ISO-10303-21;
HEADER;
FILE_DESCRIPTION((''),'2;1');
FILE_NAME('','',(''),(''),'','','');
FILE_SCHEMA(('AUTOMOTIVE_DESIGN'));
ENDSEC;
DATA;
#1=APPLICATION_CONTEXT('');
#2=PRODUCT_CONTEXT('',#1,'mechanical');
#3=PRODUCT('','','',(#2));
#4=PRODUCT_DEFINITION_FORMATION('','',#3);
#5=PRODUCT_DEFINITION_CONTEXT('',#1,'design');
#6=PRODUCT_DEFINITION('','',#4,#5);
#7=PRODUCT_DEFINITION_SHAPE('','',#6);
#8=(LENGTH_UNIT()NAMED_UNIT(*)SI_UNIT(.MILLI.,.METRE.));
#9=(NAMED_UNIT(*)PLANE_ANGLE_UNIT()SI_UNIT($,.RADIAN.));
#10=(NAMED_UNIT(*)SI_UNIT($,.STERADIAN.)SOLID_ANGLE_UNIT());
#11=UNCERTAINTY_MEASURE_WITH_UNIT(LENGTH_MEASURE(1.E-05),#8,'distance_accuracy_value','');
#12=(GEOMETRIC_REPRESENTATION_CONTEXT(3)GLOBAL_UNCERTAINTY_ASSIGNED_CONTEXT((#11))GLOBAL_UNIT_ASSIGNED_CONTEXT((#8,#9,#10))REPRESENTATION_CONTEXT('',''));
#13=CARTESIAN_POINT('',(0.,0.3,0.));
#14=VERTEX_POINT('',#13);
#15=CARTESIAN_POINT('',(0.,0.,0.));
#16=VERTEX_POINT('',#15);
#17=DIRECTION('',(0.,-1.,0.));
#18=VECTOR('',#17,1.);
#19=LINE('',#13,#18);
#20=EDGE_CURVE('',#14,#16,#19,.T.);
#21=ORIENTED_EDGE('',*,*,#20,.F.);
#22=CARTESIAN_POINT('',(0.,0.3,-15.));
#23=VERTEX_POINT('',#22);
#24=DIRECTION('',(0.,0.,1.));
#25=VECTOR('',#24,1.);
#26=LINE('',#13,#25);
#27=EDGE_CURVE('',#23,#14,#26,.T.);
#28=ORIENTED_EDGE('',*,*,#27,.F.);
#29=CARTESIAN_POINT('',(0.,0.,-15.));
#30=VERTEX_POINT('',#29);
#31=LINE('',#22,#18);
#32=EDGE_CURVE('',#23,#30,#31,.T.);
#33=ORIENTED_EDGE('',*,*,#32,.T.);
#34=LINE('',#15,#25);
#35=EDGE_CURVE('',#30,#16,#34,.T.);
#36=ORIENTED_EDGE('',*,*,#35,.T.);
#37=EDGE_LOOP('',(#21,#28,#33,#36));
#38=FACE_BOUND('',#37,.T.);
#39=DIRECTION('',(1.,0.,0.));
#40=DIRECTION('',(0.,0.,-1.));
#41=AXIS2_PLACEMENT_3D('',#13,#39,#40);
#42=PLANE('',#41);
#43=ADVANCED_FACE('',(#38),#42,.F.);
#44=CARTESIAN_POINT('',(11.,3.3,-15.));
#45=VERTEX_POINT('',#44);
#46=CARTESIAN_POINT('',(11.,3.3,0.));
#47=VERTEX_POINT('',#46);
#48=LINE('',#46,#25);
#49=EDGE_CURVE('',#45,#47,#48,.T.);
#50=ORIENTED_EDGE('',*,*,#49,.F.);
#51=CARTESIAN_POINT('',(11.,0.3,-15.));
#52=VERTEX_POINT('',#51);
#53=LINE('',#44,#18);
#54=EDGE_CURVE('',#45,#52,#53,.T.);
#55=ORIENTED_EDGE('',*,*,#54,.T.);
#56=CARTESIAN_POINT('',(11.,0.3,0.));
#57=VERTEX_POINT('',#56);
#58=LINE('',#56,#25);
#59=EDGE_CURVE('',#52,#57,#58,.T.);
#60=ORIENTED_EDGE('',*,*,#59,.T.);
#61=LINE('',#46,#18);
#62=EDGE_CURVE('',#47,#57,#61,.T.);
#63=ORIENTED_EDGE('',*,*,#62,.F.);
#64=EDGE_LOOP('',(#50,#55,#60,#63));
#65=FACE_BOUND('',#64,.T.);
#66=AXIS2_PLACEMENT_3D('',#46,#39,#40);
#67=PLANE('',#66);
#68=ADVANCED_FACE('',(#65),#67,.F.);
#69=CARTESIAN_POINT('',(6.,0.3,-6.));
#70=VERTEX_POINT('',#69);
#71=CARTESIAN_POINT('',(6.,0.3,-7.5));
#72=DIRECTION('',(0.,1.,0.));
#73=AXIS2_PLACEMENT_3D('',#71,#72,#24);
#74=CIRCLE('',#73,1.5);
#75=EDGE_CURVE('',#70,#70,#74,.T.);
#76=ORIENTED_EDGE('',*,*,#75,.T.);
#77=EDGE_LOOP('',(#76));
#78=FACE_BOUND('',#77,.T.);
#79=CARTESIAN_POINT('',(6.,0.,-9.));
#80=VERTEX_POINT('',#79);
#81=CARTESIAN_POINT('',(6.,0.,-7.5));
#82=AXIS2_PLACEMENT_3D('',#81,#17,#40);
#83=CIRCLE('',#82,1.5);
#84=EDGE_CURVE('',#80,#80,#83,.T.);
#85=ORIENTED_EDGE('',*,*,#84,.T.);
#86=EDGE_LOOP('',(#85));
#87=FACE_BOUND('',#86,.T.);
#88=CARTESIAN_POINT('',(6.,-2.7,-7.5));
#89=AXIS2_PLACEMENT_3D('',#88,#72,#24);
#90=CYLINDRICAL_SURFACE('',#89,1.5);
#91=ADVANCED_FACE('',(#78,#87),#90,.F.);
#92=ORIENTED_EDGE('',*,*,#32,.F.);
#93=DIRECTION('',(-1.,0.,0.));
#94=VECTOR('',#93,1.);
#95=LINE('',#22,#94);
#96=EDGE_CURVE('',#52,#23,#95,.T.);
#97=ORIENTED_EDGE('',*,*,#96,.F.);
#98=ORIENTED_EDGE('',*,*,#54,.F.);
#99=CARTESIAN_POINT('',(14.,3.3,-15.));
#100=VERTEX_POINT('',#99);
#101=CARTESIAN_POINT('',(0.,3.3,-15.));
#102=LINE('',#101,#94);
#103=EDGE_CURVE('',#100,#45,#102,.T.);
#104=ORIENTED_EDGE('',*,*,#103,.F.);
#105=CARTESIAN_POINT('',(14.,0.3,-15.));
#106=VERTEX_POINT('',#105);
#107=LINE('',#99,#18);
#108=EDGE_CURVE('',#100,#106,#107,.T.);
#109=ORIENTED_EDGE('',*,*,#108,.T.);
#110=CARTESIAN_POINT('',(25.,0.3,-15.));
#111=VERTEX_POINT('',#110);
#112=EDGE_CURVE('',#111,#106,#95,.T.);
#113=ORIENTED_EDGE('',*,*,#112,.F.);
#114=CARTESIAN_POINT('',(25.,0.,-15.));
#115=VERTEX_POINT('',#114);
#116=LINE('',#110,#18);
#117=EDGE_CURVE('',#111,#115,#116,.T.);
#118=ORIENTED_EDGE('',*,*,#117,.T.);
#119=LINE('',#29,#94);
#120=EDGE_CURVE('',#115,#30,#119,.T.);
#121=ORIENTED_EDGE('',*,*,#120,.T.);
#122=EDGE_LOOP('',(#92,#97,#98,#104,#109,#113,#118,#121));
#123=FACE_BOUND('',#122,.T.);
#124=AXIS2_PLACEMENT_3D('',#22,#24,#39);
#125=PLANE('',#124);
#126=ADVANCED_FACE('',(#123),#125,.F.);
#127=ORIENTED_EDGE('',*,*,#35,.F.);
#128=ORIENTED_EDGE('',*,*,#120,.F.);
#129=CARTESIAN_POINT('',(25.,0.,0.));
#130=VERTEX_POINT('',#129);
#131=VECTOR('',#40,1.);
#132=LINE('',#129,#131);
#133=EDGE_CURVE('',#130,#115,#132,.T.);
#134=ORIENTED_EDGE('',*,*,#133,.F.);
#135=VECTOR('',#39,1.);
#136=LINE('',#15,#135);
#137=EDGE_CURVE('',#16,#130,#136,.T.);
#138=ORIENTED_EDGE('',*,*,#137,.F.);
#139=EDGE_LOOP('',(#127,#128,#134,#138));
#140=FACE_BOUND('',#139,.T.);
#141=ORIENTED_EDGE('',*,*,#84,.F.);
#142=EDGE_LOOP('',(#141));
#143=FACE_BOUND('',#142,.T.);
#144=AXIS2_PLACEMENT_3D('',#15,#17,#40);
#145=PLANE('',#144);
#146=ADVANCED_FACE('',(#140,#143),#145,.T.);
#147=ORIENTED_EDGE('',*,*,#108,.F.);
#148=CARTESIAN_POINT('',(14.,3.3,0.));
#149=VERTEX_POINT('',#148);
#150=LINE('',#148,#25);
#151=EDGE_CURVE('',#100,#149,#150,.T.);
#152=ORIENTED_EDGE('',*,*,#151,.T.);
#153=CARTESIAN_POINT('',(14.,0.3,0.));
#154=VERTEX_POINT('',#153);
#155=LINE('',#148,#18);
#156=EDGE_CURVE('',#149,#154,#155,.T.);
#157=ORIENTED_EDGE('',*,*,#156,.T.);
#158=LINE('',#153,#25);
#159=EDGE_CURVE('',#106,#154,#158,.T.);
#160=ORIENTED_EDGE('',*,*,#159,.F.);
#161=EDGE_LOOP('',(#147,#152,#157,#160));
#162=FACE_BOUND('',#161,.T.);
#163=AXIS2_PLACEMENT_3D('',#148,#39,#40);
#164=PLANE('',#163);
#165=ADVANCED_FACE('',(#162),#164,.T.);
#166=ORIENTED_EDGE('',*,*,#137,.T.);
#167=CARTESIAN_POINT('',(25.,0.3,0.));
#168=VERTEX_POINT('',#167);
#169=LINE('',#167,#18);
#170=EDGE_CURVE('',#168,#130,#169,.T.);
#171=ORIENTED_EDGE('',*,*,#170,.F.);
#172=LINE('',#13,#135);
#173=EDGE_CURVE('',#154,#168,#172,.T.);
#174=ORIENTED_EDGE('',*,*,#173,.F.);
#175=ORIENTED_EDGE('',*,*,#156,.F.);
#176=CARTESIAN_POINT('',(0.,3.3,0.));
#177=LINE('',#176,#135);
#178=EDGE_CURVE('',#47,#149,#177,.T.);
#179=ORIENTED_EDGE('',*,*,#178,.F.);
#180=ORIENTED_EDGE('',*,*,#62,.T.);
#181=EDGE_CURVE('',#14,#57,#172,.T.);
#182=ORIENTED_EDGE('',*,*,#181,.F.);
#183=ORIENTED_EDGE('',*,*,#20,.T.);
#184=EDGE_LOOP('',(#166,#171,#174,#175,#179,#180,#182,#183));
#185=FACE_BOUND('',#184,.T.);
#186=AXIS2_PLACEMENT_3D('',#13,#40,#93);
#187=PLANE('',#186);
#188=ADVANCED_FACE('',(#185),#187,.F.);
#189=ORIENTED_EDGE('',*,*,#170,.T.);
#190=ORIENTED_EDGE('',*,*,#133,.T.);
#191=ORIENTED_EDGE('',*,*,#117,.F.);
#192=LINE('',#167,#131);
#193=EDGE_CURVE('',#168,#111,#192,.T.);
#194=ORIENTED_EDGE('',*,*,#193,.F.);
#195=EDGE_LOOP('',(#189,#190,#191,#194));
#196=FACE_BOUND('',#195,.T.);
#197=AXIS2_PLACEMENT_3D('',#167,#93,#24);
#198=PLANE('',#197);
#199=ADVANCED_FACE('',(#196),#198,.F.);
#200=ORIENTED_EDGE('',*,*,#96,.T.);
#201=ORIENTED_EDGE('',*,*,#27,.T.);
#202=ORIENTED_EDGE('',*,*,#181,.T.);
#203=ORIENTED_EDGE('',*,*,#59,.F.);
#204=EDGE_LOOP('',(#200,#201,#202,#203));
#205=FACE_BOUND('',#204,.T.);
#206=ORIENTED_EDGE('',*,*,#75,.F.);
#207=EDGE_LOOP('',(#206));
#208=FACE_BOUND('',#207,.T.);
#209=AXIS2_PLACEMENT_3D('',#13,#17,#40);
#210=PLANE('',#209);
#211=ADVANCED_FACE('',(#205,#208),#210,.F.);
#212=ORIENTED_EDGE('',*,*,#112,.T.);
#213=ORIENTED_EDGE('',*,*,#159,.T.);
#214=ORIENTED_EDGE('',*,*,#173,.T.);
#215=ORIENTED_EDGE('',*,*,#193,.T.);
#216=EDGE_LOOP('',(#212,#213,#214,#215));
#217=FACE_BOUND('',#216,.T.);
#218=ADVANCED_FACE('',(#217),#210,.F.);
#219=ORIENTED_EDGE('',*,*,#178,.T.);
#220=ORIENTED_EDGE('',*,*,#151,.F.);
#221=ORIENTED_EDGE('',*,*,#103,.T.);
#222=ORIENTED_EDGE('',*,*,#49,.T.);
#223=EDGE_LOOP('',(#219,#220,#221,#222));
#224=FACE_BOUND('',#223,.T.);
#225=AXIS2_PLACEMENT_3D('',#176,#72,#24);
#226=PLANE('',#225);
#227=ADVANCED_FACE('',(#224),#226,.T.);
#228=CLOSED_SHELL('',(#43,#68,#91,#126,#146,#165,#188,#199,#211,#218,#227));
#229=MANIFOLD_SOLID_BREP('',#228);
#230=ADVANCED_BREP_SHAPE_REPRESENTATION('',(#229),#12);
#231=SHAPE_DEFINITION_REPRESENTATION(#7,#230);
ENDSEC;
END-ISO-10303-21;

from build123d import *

# Parameters (mm, degrees)
SKETCH1_W           = 25
SKETCH1_H           = 15
BOSS_EXTRUDE1_DEPTH = 0.3
SKETCH2_W           = 3
SKETCH2_H           = 15
BOSS_EXTRUDE2_DEPTH = 3
SKETCH2_5_R         = 1.5
CUT_EXTRUDE1_DEPTH  = 3


with BuildPart() as part:
    # Sketch1 → Boss-Extrude1 (new body)
    with BuildSketch(Plane(origin=(0, 0, 0), x_dir=(1, 0, 0), z_dir=(0, 1, 0))):
        with Locations((12.5, 7.5)):
            Rectangle(SKETCH1_W, SKETCH1_H)
    extrude(amount=BOSS_EXTRUDE1_DEPTH)

    # Sketch2 → Boss-Extrude2 (add)
    with BuildSketch(Plane(origin=(0, 0.3, 0), x_dir=(1, 0, 0), z_dir=(0, 1, 0))):
        with Locations((12.5, 7.5)):
            Rectangle(SKETCH2_W, SKETCH2_H)
    extrude(amount=BOSS_EXTRUDE2_DEPTH)

    # Sketch2<5> → Cut-Extrude1 (cut)
    with BuildSketch(Plane(origin=(0, 0.3, 0), x_dir=(1, 0, 0), z_dir=(0, 1, 0))):
        with Locations((6, 7.5)):
            Circle(SKETCH2_5_R)
    extrude(amount=-CUT_EXTRUDE1_DEPTH, mode=Mode.SUBTRACT)


solid = part.part
